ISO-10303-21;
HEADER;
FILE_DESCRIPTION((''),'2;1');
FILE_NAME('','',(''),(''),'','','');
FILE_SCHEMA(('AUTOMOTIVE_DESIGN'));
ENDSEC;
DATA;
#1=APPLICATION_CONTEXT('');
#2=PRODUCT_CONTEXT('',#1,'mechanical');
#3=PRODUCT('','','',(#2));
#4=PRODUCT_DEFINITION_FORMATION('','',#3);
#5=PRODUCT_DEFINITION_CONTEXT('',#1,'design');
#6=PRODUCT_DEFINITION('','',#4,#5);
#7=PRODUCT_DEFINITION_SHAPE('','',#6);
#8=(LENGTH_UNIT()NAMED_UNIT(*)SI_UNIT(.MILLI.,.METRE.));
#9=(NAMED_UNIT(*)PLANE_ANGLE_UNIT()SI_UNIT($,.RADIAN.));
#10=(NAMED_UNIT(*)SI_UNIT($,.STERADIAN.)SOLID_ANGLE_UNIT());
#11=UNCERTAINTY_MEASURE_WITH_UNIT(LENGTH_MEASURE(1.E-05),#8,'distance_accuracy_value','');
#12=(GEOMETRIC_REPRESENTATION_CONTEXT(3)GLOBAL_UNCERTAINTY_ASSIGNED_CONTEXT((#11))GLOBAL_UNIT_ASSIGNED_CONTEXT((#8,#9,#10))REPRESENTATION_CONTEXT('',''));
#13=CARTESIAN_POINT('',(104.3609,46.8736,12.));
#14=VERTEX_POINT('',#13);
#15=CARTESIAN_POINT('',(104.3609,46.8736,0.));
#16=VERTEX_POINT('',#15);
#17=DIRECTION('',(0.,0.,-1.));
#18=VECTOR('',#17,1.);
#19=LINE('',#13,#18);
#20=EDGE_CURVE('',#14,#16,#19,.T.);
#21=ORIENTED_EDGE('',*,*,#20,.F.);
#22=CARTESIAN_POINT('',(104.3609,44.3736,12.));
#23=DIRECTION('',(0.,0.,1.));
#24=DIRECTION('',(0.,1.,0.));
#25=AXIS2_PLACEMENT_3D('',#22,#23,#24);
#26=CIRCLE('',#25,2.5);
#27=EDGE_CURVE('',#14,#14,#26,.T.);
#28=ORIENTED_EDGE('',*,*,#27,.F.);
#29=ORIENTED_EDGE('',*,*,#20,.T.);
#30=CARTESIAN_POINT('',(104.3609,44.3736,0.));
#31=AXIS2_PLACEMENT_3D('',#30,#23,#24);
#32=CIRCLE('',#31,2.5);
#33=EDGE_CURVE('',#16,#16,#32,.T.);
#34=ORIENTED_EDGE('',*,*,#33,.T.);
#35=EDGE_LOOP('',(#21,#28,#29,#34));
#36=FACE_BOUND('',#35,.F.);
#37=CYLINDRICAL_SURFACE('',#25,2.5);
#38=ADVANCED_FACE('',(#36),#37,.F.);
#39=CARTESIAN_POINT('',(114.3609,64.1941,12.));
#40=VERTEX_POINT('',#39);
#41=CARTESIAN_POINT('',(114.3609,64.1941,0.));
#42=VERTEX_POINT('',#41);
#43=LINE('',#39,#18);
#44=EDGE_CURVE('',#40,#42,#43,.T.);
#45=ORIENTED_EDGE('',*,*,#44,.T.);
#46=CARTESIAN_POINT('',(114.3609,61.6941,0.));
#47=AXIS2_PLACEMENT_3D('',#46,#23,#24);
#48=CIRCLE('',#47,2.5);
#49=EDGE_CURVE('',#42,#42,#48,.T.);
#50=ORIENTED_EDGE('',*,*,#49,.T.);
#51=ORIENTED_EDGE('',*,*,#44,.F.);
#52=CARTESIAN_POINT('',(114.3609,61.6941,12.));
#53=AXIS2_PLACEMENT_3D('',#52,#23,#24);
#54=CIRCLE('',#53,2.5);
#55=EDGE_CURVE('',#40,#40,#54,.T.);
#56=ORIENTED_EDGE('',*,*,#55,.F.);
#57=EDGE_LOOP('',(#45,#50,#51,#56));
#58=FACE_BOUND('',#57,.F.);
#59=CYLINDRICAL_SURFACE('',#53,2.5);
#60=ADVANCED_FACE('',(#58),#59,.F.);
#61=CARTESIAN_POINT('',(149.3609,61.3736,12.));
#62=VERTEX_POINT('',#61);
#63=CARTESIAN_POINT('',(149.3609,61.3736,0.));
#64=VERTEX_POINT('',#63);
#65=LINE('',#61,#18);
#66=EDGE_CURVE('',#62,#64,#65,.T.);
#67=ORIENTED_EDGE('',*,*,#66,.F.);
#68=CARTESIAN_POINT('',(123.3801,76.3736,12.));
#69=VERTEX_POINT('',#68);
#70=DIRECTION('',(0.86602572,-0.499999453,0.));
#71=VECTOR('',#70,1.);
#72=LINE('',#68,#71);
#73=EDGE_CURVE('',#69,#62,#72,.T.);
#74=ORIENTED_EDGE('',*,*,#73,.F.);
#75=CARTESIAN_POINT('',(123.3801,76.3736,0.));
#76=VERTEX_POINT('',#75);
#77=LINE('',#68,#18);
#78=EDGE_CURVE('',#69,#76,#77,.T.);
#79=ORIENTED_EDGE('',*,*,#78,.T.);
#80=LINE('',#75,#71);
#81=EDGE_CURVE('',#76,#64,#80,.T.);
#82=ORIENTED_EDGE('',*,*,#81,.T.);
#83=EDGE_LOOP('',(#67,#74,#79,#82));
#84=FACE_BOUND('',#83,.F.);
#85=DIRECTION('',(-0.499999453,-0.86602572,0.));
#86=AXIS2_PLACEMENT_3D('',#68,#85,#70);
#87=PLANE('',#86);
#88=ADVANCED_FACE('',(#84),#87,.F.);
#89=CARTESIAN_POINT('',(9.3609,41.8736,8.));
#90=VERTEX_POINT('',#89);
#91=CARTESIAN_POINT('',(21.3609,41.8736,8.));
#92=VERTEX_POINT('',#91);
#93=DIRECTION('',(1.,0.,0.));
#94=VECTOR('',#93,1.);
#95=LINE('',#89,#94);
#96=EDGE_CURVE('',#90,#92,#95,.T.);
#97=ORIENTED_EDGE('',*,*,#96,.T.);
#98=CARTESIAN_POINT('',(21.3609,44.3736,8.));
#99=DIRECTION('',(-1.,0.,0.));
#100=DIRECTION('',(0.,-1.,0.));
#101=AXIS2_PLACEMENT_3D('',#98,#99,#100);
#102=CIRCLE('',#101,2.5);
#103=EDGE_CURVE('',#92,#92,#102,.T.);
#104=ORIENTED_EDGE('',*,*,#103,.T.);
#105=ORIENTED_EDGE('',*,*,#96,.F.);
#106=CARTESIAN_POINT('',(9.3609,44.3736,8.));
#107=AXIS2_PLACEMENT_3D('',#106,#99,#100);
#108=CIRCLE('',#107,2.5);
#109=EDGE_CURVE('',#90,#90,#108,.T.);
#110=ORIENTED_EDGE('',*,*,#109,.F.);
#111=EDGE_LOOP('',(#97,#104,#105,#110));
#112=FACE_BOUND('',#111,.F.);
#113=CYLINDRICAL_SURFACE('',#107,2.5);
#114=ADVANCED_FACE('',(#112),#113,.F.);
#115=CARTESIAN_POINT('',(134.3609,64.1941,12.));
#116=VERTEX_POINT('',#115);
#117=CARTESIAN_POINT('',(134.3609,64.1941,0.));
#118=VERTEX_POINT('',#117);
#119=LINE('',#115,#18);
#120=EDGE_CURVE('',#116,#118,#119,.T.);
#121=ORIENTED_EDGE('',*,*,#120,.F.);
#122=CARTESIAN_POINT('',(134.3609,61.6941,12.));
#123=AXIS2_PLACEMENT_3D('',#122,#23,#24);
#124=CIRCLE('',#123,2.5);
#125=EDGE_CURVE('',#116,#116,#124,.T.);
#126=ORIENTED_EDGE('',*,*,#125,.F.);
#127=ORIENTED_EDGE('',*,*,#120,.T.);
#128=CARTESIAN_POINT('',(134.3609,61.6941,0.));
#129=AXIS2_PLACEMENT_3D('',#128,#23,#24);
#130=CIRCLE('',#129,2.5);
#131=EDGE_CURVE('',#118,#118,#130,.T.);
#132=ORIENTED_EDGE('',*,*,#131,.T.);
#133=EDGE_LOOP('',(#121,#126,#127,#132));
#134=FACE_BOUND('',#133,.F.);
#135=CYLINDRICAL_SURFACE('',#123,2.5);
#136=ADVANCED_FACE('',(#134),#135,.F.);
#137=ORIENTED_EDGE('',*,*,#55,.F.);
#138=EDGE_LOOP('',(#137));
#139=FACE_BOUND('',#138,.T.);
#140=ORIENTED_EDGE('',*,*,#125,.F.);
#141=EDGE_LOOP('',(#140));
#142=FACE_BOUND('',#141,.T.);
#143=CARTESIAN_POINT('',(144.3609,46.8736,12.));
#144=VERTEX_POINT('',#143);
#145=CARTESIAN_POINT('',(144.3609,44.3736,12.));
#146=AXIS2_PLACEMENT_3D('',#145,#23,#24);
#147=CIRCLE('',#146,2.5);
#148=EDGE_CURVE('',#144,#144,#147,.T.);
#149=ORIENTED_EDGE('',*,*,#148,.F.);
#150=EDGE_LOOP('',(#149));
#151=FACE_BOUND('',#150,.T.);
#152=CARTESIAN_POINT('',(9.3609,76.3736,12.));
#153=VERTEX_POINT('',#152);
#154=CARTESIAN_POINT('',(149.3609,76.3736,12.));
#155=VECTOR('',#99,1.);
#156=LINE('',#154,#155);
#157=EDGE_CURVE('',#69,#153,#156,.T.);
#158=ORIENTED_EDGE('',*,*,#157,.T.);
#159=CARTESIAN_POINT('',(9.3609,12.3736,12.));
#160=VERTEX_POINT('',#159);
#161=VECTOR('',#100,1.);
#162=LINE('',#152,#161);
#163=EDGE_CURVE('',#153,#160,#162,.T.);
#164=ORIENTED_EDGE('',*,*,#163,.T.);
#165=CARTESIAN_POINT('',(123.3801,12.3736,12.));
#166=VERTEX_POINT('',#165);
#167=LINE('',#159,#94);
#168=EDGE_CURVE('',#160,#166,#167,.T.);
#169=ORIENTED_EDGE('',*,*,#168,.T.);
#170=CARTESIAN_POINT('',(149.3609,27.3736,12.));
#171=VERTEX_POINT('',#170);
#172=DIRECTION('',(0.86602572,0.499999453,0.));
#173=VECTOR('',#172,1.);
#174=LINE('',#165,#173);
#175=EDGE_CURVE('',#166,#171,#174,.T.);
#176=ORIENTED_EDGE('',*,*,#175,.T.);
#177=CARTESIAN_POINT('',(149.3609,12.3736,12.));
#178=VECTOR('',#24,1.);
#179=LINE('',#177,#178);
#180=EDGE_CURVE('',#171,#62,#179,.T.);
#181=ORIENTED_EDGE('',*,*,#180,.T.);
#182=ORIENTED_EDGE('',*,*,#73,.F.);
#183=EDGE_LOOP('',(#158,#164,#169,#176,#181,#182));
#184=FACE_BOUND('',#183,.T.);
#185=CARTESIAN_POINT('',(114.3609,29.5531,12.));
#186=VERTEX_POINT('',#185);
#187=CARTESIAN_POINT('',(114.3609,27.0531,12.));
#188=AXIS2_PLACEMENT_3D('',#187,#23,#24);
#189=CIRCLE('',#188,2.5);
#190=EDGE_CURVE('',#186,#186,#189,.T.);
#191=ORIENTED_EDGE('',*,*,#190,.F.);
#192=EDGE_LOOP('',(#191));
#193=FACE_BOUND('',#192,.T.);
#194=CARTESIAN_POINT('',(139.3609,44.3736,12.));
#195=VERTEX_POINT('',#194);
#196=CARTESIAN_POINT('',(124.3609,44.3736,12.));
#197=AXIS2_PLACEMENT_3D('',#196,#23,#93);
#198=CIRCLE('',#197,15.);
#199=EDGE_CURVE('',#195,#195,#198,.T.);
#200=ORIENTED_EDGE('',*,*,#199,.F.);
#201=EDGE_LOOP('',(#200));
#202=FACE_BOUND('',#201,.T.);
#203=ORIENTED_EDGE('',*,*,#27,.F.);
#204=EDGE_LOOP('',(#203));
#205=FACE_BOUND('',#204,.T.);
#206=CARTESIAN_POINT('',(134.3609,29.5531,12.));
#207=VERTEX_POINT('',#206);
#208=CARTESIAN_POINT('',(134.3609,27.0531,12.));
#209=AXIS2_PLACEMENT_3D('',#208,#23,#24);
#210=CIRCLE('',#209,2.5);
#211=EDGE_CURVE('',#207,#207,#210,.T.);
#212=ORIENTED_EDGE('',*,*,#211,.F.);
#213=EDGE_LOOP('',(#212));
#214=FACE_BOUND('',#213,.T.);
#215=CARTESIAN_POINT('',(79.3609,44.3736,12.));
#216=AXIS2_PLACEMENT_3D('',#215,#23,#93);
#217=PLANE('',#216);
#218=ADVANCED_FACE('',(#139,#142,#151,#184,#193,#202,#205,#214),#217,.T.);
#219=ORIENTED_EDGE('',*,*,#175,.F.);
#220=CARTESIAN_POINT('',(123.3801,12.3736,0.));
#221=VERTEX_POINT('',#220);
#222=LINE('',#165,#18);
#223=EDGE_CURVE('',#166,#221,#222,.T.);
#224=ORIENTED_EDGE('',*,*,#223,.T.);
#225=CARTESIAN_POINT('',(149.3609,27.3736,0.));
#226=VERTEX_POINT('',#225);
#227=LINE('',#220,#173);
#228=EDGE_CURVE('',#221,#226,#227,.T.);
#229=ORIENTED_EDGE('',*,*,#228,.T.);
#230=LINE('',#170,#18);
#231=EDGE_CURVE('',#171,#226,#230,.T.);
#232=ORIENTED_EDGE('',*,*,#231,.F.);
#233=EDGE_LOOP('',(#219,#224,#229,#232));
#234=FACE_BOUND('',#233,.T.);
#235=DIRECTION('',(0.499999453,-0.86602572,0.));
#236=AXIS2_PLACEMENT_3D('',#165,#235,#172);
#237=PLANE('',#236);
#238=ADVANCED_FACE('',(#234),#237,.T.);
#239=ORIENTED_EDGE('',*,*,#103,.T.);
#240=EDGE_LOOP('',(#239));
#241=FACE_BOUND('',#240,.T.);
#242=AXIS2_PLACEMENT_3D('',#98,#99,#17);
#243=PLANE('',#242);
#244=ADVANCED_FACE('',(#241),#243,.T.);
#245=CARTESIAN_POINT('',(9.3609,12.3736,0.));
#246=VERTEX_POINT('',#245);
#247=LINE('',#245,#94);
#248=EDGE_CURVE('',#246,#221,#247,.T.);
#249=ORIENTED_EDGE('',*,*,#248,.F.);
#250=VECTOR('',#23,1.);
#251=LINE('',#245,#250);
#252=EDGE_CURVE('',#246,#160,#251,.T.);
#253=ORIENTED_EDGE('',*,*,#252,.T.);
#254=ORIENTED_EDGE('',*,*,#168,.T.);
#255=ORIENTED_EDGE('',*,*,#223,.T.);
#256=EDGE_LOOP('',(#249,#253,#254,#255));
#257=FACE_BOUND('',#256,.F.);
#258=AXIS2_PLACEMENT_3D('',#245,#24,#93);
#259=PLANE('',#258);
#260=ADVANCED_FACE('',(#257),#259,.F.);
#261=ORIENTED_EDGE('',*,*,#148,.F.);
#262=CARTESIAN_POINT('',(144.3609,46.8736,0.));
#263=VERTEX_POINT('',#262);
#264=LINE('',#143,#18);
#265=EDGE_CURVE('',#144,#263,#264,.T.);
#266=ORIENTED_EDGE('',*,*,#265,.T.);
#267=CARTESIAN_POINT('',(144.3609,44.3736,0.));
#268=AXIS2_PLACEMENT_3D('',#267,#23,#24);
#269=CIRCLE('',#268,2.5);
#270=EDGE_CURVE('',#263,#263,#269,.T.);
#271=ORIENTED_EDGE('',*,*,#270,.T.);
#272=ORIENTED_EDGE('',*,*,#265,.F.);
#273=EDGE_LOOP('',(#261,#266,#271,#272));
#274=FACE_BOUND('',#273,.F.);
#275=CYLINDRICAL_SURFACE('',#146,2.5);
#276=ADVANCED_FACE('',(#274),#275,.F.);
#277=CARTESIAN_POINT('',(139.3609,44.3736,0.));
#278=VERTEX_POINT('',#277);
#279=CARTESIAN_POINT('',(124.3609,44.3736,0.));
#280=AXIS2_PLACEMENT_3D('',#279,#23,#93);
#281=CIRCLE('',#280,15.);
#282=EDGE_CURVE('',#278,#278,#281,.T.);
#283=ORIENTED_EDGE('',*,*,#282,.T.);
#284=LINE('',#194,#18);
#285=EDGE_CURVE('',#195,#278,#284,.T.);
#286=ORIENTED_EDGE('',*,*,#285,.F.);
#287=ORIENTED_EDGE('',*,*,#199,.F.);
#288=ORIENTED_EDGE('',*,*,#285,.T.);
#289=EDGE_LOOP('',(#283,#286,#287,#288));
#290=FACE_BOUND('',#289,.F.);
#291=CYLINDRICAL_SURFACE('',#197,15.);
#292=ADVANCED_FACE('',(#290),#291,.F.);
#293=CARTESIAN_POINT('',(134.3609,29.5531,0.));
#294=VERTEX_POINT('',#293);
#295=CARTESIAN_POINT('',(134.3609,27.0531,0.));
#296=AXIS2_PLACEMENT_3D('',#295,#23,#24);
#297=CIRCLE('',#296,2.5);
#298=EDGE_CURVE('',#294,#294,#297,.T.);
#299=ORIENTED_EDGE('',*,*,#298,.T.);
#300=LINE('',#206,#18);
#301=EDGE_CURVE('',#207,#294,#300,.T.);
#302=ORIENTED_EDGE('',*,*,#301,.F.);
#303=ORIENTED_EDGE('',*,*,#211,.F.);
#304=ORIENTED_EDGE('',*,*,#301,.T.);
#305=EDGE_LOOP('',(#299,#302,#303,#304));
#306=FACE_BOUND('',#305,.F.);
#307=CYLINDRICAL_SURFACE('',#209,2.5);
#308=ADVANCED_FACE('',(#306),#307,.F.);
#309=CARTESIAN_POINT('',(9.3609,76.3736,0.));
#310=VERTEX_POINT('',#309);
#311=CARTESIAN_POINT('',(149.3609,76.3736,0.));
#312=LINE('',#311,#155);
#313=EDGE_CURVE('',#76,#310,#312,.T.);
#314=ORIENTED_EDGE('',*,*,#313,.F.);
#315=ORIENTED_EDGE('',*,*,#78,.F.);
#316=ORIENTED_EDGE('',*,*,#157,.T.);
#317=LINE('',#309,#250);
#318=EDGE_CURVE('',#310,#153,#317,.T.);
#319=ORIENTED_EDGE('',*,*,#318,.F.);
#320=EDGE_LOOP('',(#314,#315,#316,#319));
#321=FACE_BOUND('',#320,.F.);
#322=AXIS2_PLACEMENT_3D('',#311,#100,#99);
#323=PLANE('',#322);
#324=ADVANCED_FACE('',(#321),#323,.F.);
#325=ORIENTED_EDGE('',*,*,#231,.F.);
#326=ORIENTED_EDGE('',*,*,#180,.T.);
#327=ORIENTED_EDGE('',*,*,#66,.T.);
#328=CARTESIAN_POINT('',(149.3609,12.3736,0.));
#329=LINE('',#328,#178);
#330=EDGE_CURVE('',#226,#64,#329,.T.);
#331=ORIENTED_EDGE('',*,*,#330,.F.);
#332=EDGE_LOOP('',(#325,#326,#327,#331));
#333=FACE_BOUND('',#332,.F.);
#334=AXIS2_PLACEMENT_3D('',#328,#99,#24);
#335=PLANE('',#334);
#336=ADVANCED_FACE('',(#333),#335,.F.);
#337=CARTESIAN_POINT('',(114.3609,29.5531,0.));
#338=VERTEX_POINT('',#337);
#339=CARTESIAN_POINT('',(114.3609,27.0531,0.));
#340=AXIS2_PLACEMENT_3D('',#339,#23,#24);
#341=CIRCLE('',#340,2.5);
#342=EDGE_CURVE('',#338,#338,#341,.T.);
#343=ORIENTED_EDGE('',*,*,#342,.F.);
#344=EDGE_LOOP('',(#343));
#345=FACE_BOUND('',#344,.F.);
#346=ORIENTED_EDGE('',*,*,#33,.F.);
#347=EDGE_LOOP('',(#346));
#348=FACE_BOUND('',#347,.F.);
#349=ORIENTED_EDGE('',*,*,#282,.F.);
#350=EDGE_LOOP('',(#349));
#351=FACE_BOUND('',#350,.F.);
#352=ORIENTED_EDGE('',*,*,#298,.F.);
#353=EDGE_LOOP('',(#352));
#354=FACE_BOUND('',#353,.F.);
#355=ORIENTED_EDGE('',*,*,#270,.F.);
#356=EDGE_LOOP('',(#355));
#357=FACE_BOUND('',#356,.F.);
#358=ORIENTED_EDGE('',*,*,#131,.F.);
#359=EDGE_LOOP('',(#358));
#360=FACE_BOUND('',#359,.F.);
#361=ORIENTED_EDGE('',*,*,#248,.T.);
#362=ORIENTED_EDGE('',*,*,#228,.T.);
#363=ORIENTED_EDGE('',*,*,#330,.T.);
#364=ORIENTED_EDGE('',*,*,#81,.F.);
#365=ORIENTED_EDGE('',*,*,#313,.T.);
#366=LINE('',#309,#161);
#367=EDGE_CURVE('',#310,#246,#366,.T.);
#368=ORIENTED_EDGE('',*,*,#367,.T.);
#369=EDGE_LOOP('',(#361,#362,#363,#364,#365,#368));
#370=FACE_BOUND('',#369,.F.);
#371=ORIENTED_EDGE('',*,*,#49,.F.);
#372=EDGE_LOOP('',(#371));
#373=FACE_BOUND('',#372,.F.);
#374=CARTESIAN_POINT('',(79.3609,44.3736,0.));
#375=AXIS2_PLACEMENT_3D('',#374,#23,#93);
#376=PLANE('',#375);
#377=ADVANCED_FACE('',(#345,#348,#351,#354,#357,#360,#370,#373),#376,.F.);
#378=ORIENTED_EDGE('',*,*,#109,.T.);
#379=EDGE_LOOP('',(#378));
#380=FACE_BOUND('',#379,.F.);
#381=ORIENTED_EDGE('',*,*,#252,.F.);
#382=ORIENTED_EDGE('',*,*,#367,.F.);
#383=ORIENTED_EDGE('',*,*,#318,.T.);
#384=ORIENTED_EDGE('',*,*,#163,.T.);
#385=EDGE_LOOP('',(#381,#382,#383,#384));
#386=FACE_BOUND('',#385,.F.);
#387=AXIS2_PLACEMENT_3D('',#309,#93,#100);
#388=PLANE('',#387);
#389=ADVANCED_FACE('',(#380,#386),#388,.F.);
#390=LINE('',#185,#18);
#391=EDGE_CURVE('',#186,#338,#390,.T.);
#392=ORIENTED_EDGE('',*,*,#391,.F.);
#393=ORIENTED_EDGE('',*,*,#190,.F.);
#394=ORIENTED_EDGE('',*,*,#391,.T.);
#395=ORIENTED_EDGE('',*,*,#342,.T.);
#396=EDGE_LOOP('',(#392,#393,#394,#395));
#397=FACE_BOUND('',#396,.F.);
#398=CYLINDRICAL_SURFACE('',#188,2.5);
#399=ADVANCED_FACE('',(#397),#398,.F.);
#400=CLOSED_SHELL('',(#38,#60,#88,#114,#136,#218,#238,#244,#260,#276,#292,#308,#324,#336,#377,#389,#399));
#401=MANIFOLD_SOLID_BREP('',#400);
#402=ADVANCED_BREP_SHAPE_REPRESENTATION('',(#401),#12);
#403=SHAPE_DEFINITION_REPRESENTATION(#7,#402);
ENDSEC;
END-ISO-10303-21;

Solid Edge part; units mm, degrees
sketch "Sketch1" plane through (0, 0, 0) normal (0, 0, 1) x (1, 0, 0)
  line L0 (9.3609, 12.3736) -> (149.3609, 12.3736)
  line L1 (149.3609, 12.3736) -> (149.3609, 76.3736)
  line L2 (149.3609, 76.3736) -> (9.3609, 76.3736)
  line L3 (9.3609, 76.3736) -> (9.3609, 12.3736)
extrude "Protrusion1" add sketch "Sketch1" along normal blind 12
sketch "Sketch2" plane through (79.3609, 44.3736, 12) normal (0, 0, 1) x (1, 0, 0)
  line L0 (44.0192, 32) -> (70, 17)
  line L1 (70, 32) -> (70, 17)
  line L2 (44.0192, 32) -> (70, 32)
  line L3 (44.0192, -32) -> (70, -17)
  line L4 (70, -17) -> (70, -32)
  line L5 (70, -32) -> (44.0192, -32)
  dimension "D1" = 15
  dimension "D2" = 30
extrude "ExtrudedCutout_2" cut sketch "Sketch2" against normal blind 12
sketch "Sketch3" plane through (79.3609, 44.3736, 12) normal (0, 0, 1) x (1, 0, 0)
  circle A0 centre (45, 0) radius 15
  dimension "D1" = 25
extrude "ExtrudedCutout_3" cut sketch "Sketch3" against normal blind 12
sketch "Sketch4" plane through (79.3609, 44.3736, 12) normal (0, 0, 1) x (0, 1, 0)
  circle A0 centre (0, -25) radius 2.5
  circle A1 centre (0, -65) radius 2.5
  circle A2 centre (17.3205, -35) radius 2.5
  circle A3 centre (-17.3205, -35) radius 2.5
  circle A4 centre (-17.3205, -55) radius 2.5
  circle A5 centre (17.3205, -55) radius 2.5
extrude "ExtrudedCutout_4" cut sketch "Sketch4" against normal blind 12
sketch "Sketch5" plane through (9.3609, 44.3736, 6) normal (-1, 0, 0) x (0, -1, 0)
  circle A0 centre (0, 2) radius 2.5
  dimension "D1" = 8
extrude "Cutout1" cut sketch "Sketch5" against normal blind 12
